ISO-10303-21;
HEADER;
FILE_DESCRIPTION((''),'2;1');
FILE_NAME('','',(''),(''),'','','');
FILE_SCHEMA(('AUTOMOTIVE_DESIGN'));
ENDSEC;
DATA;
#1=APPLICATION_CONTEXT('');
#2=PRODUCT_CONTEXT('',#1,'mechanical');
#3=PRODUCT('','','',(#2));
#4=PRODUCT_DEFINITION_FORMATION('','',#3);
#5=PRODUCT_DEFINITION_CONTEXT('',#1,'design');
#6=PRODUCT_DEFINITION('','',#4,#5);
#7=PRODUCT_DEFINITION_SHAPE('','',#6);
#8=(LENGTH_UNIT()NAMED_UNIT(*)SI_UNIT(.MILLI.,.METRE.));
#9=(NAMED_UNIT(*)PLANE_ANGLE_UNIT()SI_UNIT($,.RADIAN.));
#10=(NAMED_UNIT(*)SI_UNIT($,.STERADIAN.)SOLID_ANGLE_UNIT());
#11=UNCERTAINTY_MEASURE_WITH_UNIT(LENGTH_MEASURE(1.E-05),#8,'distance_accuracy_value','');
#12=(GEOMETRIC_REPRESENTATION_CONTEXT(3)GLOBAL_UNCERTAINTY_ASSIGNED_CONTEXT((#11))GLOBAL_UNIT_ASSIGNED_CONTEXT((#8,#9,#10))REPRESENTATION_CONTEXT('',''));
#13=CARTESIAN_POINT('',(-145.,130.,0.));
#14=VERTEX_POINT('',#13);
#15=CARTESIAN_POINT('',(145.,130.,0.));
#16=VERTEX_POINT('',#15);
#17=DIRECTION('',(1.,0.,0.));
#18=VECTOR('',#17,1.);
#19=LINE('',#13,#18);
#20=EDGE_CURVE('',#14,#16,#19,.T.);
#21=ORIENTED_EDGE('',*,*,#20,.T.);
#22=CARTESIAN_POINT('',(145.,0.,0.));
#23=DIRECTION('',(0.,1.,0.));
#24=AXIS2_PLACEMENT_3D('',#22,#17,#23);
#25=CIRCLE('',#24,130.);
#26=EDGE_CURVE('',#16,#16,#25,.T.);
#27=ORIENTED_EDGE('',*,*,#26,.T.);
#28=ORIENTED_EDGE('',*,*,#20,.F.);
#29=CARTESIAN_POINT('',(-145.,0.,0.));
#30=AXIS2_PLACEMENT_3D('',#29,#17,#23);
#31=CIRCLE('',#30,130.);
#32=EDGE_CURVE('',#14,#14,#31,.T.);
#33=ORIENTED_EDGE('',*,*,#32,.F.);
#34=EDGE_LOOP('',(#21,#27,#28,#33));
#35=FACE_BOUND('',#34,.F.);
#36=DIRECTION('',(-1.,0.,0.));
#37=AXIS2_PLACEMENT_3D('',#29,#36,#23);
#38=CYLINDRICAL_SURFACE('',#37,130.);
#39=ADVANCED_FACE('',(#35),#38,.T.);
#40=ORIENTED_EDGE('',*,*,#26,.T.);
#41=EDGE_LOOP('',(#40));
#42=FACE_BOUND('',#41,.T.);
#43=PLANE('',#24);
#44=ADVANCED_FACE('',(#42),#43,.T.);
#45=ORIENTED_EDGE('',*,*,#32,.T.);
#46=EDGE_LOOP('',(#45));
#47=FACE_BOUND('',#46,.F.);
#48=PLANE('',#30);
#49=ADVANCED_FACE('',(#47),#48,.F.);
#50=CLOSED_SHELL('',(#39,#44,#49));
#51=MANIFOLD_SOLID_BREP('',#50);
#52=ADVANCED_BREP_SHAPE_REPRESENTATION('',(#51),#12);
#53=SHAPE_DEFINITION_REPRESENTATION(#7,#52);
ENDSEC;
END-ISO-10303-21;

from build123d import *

# Parameters (mm, degrees)
SKETCH_R  = 130
PAD_DEPTH = 290


with BuildPart() as part:
    # Sketch → Pad (new body)
    with BuildSketch(Plane.YZ.offset(-145)):
        Circle(SKETCH_R)
    extrude(amount=PAD_DEPTH)


solid = part.part
